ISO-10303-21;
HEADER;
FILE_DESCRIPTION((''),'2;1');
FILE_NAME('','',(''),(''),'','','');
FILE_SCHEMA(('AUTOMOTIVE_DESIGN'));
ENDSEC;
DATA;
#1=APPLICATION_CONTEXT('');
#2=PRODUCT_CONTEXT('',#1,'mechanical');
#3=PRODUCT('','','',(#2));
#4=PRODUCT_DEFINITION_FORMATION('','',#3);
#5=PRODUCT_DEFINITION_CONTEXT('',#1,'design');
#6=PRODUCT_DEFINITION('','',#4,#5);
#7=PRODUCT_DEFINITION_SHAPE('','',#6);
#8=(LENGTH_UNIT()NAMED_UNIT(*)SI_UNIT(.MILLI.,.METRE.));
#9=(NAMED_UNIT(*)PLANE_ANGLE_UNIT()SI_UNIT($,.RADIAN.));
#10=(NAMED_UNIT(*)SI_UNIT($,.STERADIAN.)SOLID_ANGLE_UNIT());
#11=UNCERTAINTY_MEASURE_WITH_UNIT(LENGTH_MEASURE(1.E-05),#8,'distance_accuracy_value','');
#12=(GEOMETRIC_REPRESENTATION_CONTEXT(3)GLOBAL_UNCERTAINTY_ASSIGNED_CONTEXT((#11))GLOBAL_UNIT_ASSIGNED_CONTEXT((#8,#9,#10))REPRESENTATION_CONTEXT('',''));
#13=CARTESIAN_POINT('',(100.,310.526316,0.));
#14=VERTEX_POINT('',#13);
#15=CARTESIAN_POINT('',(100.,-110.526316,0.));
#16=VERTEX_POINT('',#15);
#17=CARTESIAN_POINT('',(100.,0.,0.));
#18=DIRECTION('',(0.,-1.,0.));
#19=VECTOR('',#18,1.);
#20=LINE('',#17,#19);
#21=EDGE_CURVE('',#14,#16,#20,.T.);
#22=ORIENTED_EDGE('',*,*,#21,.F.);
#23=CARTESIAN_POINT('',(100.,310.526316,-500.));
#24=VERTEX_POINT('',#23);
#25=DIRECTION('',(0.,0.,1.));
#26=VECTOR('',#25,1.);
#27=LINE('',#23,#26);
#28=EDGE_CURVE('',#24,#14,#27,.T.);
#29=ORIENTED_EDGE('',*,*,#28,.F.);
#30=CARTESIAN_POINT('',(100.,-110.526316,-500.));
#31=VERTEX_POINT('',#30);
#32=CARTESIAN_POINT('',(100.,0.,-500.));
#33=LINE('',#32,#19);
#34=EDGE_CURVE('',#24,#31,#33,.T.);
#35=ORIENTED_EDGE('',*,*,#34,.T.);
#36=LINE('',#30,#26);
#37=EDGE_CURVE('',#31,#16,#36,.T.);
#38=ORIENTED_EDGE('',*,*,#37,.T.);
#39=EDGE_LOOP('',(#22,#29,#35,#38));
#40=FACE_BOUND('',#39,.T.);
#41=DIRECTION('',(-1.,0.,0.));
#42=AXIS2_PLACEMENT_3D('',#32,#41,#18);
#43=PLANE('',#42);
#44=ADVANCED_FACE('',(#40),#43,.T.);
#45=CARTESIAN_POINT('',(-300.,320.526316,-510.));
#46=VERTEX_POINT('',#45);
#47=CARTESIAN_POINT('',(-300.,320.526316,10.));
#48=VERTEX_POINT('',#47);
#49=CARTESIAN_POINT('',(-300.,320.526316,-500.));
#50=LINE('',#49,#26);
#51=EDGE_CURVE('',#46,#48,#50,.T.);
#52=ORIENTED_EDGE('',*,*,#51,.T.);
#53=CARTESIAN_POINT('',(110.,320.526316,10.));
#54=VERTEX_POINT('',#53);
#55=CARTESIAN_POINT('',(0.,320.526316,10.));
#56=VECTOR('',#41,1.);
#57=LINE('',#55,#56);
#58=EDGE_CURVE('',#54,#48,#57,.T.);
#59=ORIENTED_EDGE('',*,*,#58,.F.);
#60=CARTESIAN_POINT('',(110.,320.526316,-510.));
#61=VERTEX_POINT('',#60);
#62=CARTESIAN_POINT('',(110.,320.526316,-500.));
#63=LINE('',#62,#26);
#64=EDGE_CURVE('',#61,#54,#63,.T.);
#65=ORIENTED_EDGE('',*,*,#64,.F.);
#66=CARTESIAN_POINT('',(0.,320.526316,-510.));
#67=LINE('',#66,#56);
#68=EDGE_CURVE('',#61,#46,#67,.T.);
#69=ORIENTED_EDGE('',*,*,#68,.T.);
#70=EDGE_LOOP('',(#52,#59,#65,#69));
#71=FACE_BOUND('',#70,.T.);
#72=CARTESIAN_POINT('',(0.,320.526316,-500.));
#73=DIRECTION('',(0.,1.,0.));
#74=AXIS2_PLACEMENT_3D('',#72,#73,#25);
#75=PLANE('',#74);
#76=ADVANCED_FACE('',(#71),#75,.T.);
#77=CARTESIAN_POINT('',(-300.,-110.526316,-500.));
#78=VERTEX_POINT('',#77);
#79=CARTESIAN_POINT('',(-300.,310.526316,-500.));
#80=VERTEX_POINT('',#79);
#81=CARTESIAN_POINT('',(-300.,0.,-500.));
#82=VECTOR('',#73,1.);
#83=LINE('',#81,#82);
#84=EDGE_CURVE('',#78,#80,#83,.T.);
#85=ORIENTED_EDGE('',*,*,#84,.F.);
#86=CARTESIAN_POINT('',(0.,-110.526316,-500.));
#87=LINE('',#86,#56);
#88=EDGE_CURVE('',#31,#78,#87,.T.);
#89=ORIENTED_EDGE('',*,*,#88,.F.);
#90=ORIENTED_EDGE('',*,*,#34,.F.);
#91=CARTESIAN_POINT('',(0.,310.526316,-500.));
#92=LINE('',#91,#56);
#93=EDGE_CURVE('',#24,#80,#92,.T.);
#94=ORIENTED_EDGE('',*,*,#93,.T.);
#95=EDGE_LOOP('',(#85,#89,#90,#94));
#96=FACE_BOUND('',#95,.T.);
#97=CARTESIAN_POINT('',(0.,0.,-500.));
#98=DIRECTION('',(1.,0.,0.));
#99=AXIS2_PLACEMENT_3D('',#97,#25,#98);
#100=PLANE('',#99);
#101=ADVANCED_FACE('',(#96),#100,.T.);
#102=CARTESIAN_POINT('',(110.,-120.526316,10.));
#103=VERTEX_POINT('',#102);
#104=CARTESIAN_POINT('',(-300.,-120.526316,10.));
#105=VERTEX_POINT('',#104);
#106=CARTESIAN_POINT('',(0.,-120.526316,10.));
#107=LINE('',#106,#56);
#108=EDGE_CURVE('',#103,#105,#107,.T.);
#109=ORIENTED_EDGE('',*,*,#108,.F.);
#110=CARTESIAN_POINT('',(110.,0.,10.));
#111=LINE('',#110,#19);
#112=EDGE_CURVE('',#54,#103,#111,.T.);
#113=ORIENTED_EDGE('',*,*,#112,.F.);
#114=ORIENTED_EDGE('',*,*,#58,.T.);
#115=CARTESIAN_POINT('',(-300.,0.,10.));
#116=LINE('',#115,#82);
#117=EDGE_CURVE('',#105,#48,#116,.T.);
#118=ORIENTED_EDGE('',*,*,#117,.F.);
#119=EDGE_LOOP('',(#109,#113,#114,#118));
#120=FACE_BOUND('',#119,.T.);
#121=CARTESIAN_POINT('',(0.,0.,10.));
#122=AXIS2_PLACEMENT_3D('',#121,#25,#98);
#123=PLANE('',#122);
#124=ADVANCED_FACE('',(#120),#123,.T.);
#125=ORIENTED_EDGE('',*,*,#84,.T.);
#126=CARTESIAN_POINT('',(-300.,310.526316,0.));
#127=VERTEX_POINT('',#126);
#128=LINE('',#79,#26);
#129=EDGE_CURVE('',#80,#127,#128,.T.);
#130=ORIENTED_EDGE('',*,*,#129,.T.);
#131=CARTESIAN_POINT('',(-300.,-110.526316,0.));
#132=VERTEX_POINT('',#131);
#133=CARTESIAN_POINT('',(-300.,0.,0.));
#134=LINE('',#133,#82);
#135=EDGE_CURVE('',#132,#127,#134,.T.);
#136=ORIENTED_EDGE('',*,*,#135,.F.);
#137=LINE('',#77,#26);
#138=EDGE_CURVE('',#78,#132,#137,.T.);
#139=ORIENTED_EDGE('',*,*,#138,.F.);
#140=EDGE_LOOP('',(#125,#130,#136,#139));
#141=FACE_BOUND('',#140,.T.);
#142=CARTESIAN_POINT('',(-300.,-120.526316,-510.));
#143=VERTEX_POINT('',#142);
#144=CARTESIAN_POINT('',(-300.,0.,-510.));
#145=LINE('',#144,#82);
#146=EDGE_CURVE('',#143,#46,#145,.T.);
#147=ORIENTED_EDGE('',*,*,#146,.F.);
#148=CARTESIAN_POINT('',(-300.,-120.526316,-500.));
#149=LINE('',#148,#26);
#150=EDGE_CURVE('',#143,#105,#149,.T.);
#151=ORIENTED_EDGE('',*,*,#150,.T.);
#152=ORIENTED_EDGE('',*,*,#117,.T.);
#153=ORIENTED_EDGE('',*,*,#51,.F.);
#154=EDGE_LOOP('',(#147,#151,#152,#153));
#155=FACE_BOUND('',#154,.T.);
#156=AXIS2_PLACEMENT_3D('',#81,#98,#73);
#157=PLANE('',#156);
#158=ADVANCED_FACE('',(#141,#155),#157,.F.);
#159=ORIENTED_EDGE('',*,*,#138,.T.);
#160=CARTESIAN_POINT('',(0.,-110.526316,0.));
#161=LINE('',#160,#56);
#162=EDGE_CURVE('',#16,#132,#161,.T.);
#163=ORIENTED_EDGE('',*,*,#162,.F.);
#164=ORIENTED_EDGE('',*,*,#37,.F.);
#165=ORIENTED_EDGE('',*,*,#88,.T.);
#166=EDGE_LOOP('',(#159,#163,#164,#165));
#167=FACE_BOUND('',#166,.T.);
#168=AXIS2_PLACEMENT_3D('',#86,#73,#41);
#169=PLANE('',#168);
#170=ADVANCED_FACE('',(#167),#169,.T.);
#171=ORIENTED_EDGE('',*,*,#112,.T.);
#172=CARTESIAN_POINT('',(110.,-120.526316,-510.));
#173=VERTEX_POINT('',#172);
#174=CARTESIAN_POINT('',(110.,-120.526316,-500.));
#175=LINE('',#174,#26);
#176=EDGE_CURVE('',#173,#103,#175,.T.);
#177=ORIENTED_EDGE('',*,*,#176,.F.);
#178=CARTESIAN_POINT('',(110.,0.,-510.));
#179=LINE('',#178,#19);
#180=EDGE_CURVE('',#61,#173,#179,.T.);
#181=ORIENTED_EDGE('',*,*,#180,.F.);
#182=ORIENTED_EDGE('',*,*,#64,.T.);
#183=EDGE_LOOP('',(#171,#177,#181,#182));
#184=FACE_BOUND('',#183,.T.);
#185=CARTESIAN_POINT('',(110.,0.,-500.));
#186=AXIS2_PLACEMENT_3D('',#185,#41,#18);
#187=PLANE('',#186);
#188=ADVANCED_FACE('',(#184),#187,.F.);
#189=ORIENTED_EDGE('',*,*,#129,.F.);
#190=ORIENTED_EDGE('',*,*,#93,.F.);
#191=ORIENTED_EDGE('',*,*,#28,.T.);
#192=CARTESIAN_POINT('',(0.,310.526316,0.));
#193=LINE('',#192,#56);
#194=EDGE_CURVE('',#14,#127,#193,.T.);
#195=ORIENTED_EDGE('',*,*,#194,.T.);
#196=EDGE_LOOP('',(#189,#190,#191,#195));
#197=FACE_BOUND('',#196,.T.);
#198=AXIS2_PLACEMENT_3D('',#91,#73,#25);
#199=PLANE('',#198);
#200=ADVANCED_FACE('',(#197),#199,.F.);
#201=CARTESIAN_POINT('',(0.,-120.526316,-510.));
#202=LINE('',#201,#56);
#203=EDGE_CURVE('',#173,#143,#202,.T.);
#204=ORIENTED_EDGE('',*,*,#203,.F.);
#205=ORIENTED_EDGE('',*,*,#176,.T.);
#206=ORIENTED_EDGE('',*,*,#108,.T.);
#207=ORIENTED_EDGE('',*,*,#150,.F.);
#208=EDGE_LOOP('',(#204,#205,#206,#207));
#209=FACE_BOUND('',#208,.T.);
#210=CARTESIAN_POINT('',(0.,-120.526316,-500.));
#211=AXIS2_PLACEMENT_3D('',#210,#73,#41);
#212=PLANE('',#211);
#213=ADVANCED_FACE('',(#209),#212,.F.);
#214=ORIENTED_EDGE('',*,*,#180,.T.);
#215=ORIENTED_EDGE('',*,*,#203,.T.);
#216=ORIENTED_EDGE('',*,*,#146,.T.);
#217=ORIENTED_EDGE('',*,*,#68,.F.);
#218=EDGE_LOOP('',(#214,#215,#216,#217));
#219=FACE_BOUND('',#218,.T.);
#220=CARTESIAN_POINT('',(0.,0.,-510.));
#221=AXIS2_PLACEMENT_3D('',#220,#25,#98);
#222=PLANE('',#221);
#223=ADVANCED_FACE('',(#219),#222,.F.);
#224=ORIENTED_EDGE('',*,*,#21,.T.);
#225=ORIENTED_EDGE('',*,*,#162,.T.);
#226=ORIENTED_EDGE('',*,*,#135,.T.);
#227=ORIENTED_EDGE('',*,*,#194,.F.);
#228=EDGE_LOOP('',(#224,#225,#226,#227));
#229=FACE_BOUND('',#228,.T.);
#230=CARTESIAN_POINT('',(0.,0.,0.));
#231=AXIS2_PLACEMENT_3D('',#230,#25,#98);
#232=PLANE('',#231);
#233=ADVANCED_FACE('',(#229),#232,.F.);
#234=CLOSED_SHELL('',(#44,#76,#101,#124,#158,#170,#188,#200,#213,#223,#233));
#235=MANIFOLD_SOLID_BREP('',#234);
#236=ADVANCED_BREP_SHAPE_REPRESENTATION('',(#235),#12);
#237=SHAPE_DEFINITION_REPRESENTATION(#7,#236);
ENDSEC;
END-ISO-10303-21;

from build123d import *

# Parameters (mm, degrees)
SKETCH1_W           = 400
SKETCH1_H           = 421.052631578
BOSS_EXTRUDE1_DEPTH = 500
SHELL2_T            = 10


with BuildPart() as part:
    # Sketch1 → Boss-Extrude1 (new body)
    with BuildSketch(Plane.XY):
        with Locations((-100, 100)):
            Rectangle(SKETCH1_W, SKETCH1_H)
    extrude(amount=-BOSS_EXTRUDE1_DEPTH)

    # Shell2
    shell2_openings = [part.faces().sort_by_distance(p)[0] for p in [
        (-300, 100, -250),
    ]]
    offset(amount=SHELL2_T, openings=shell2_openings, kind=Kind.INTERSECTION)


solid = part.part
